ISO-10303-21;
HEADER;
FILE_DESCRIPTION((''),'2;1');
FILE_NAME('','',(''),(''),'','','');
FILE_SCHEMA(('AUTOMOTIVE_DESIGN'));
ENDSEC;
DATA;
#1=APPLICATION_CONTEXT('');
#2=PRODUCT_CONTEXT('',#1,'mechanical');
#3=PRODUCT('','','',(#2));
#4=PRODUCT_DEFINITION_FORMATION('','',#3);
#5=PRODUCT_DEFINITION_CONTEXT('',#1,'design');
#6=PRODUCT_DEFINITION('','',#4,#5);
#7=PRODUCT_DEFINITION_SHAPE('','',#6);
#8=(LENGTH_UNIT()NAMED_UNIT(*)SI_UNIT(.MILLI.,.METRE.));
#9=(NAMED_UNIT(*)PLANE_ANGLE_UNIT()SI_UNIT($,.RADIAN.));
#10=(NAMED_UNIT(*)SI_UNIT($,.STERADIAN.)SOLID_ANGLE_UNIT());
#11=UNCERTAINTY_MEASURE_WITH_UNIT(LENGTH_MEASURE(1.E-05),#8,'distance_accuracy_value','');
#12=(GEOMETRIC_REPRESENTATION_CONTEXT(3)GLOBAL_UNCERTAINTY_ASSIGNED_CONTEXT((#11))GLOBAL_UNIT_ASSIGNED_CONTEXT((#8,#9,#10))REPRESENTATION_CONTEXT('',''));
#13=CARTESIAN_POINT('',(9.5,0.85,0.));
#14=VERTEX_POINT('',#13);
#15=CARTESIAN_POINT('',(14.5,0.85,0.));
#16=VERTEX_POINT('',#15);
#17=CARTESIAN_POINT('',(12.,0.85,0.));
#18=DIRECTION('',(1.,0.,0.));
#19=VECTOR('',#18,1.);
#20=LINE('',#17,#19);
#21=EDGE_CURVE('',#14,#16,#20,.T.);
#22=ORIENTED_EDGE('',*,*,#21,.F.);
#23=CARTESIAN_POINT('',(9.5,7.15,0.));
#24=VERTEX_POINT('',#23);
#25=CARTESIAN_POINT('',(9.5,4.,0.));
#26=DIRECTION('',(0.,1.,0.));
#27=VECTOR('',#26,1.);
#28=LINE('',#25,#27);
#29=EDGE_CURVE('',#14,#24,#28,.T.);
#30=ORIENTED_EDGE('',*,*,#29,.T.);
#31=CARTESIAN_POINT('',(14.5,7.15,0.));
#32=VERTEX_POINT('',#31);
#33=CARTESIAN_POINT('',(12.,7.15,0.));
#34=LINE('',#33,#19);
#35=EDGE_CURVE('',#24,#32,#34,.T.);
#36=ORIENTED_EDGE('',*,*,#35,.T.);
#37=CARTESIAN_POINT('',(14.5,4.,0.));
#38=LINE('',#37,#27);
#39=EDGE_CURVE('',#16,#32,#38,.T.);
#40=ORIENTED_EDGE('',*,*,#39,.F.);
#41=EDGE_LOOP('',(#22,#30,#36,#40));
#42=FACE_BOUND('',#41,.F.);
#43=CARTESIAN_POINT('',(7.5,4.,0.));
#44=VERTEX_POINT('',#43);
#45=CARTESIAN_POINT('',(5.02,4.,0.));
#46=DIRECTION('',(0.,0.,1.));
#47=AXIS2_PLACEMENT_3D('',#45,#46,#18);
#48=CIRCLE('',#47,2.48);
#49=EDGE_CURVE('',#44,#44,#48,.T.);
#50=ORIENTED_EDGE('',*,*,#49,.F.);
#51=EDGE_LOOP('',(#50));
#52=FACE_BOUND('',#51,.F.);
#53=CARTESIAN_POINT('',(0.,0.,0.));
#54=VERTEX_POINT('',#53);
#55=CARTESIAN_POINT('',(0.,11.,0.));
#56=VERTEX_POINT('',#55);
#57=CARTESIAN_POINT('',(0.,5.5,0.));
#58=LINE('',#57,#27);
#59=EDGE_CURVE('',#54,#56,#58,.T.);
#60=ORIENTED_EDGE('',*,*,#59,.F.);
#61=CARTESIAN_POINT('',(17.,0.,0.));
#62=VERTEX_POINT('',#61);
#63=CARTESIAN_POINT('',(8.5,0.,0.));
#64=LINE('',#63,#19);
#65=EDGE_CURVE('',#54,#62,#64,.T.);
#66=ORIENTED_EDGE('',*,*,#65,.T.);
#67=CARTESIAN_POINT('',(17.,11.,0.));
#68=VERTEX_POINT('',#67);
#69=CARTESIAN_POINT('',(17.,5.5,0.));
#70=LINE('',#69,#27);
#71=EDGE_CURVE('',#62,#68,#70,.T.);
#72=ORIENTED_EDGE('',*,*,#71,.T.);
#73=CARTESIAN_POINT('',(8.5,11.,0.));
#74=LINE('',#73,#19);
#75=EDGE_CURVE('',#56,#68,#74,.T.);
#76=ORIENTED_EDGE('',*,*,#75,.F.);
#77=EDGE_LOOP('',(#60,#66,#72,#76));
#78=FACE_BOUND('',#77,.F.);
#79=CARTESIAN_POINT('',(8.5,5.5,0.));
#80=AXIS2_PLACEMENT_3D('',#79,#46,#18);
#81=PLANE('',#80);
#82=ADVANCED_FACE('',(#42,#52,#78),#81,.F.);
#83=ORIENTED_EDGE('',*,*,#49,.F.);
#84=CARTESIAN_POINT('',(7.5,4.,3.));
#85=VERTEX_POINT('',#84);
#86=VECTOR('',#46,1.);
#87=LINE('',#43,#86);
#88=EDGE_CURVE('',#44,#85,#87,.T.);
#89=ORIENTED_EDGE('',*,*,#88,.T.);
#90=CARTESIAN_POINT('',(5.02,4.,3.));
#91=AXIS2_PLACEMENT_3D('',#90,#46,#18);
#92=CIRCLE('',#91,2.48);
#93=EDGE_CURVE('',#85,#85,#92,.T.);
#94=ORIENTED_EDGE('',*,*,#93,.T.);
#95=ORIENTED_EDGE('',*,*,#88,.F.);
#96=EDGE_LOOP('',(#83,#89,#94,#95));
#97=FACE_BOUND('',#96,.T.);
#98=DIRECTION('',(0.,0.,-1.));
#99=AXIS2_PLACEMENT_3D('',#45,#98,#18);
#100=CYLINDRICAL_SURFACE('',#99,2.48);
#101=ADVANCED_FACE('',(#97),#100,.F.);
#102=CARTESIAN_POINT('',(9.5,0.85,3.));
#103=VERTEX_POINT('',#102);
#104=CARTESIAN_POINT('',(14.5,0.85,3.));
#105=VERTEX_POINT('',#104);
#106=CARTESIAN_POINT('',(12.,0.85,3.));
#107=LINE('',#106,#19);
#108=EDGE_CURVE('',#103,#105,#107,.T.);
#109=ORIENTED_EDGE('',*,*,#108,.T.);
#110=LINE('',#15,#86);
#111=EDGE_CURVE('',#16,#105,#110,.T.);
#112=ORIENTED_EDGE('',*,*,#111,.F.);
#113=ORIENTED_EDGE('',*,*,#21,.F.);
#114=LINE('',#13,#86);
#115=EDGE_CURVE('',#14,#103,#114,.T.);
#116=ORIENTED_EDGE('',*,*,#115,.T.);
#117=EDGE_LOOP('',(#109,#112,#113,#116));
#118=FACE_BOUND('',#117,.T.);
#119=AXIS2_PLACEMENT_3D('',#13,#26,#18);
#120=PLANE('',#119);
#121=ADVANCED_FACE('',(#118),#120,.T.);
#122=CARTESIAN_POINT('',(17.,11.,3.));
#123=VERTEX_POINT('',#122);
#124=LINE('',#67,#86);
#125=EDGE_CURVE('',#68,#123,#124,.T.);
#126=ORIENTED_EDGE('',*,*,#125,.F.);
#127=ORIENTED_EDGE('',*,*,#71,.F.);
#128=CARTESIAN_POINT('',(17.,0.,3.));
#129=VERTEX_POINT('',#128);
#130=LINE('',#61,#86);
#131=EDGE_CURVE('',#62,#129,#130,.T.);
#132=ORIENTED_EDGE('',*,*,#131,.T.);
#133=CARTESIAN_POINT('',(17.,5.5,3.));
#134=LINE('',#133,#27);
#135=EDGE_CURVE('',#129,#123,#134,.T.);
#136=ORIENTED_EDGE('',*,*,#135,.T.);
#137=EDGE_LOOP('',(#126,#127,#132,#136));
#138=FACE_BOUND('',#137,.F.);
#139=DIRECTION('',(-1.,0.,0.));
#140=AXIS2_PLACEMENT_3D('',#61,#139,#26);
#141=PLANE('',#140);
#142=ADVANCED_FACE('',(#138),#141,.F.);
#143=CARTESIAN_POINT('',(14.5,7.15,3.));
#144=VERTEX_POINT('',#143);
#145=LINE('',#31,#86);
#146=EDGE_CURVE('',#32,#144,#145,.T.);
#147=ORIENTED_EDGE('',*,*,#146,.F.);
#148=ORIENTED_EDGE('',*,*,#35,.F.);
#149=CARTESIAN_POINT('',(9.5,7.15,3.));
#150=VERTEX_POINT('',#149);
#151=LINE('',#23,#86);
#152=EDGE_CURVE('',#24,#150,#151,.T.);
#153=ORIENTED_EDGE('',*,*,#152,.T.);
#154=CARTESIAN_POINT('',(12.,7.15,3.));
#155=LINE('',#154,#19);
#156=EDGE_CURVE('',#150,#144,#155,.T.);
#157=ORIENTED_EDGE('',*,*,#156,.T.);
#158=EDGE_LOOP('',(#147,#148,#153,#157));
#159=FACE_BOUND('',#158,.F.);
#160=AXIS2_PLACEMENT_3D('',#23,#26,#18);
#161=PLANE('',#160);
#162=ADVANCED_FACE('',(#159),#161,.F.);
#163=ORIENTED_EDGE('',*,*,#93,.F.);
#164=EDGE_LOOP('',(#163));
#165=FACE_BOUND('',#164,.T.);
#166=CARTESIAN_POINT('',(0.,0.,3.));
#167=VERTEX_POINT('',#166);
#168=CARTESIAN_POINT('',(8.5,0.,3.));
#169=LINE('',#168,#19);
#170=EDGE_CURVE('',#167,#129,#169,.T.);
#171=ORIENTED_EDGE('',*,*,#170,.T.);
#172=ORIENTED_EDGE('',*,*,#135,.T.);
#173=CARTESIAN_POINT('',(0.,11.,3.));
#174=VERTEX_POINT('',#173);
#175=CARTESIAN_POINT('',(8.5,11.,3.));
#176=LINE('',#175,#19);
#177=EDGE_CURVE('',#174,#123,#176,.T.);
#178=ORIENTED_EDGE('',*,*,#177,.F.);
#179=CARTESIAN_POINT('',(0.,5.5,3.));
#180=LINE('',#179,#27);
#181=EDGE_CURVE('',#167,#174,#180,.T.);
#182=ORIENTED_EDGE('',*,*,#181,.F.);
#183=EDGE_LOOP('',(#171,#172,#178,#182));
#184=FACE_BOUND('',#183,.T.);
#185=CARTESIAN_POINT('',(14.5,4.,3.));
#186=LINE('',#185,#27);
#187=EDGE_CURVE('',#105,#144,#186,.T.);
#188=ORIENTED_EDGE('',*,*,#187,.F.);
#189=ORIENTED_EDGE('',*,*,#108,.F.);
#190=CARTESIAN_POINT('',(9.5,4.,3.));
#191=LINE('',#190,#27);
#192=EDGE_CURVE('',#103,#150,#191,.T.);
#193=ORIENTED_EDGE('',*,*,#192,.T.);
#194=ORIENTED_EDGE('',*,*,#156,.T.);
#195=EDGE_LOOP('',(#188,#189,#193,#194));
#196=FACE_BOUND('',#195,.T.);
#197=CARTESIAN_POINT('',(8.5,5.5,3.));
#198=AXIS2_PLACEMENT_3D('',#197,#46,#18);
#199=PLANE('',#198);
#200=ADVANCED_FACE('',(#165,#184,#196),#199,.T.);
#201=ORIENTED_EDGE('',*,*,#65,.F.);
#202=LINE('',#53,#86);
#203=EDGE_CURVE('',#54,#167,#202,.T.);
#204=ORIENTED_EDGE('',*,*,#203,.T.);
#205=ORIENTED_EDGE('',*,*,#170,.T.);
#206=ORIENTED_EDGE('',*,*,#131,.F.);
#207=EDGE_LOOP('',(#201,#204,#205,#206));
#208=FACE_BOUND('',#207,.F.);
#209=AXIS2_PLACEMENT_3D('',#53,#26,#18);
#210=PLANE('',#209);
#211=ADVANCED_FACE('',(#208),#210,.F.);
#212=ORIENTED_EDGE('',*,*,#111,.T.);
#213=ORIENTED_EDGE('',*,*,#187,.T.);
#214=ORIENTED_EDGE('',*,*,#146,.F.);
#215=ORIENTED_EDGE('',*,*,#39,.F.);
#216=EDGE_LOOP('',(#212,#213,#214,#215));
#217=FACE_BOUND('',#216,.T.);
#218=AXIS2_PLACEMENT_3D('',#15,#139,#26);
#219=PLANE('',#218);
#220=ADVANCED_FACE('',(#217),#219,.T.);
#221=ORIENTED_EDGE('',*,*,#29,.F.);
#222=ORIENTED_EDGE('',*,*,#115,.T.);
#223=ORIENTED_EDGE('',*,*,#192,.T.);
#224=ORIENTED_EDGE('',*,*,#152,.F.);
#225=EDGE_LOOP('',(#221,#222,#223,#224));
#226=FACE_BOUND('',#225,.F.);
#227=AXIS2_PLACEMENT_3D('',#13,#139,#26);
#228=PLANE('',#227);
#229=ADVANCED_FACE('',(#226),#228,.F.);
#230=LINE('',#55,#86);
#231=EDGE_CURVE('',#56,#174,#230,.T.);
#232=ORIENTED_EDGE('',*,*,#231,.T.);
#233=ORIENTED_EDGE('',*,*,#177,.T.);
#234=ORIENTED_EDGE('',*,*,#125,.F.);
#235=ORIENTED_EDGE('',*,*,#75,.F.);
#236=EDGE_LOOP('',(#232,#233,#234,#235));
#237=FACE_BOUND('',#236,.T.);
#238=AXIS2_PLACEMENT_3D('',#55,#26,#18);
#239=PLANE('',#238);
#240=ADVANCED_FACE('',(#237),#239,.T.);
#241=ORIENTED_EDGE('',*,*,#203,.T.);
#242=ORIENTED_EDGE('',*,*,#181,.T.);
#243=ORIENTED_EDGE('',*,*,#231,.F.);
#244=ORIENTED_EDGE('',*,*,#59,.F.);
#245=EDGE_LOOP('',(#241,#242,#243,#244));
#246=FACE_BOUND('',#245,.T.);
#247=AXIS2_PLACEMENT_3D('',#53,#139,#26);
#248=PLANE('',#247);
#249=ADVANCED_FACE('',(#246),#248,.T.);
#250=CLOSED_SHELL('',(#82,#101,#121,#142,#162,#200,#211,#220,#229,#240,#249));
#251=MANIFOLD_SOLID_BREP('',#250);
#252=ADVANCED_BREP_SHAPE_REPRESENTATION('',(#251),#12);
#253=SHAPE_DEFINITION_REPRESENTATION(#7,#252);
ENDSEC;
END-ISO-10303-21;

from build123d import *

# Parameters (mm, degrees)
F0_W     = 17
F0_H     = 11
F0_R     = 2.48
F0_W_2   = 5
F0_H_2   = 6.3
F1_DEPTH = 3


with BuildPart() as f1:
    # F0 (on Top) → F1 (new body)
    with BuildSketch(Plane.XY):
        with Locations((8.5, 5.5)):
            Rectangle(F0_W, F0_H)
        with Locations((5.02, 4)):
            Circle(F0_R, mode=Mode.SUBTRACT)
        with Locations((12, 4)):
            Rectangle(F0_W_2, F0_H_2, mode=Mode.SUBTRACT)
    extrude(amount=F1_DEPTH)


solid = f1.part
